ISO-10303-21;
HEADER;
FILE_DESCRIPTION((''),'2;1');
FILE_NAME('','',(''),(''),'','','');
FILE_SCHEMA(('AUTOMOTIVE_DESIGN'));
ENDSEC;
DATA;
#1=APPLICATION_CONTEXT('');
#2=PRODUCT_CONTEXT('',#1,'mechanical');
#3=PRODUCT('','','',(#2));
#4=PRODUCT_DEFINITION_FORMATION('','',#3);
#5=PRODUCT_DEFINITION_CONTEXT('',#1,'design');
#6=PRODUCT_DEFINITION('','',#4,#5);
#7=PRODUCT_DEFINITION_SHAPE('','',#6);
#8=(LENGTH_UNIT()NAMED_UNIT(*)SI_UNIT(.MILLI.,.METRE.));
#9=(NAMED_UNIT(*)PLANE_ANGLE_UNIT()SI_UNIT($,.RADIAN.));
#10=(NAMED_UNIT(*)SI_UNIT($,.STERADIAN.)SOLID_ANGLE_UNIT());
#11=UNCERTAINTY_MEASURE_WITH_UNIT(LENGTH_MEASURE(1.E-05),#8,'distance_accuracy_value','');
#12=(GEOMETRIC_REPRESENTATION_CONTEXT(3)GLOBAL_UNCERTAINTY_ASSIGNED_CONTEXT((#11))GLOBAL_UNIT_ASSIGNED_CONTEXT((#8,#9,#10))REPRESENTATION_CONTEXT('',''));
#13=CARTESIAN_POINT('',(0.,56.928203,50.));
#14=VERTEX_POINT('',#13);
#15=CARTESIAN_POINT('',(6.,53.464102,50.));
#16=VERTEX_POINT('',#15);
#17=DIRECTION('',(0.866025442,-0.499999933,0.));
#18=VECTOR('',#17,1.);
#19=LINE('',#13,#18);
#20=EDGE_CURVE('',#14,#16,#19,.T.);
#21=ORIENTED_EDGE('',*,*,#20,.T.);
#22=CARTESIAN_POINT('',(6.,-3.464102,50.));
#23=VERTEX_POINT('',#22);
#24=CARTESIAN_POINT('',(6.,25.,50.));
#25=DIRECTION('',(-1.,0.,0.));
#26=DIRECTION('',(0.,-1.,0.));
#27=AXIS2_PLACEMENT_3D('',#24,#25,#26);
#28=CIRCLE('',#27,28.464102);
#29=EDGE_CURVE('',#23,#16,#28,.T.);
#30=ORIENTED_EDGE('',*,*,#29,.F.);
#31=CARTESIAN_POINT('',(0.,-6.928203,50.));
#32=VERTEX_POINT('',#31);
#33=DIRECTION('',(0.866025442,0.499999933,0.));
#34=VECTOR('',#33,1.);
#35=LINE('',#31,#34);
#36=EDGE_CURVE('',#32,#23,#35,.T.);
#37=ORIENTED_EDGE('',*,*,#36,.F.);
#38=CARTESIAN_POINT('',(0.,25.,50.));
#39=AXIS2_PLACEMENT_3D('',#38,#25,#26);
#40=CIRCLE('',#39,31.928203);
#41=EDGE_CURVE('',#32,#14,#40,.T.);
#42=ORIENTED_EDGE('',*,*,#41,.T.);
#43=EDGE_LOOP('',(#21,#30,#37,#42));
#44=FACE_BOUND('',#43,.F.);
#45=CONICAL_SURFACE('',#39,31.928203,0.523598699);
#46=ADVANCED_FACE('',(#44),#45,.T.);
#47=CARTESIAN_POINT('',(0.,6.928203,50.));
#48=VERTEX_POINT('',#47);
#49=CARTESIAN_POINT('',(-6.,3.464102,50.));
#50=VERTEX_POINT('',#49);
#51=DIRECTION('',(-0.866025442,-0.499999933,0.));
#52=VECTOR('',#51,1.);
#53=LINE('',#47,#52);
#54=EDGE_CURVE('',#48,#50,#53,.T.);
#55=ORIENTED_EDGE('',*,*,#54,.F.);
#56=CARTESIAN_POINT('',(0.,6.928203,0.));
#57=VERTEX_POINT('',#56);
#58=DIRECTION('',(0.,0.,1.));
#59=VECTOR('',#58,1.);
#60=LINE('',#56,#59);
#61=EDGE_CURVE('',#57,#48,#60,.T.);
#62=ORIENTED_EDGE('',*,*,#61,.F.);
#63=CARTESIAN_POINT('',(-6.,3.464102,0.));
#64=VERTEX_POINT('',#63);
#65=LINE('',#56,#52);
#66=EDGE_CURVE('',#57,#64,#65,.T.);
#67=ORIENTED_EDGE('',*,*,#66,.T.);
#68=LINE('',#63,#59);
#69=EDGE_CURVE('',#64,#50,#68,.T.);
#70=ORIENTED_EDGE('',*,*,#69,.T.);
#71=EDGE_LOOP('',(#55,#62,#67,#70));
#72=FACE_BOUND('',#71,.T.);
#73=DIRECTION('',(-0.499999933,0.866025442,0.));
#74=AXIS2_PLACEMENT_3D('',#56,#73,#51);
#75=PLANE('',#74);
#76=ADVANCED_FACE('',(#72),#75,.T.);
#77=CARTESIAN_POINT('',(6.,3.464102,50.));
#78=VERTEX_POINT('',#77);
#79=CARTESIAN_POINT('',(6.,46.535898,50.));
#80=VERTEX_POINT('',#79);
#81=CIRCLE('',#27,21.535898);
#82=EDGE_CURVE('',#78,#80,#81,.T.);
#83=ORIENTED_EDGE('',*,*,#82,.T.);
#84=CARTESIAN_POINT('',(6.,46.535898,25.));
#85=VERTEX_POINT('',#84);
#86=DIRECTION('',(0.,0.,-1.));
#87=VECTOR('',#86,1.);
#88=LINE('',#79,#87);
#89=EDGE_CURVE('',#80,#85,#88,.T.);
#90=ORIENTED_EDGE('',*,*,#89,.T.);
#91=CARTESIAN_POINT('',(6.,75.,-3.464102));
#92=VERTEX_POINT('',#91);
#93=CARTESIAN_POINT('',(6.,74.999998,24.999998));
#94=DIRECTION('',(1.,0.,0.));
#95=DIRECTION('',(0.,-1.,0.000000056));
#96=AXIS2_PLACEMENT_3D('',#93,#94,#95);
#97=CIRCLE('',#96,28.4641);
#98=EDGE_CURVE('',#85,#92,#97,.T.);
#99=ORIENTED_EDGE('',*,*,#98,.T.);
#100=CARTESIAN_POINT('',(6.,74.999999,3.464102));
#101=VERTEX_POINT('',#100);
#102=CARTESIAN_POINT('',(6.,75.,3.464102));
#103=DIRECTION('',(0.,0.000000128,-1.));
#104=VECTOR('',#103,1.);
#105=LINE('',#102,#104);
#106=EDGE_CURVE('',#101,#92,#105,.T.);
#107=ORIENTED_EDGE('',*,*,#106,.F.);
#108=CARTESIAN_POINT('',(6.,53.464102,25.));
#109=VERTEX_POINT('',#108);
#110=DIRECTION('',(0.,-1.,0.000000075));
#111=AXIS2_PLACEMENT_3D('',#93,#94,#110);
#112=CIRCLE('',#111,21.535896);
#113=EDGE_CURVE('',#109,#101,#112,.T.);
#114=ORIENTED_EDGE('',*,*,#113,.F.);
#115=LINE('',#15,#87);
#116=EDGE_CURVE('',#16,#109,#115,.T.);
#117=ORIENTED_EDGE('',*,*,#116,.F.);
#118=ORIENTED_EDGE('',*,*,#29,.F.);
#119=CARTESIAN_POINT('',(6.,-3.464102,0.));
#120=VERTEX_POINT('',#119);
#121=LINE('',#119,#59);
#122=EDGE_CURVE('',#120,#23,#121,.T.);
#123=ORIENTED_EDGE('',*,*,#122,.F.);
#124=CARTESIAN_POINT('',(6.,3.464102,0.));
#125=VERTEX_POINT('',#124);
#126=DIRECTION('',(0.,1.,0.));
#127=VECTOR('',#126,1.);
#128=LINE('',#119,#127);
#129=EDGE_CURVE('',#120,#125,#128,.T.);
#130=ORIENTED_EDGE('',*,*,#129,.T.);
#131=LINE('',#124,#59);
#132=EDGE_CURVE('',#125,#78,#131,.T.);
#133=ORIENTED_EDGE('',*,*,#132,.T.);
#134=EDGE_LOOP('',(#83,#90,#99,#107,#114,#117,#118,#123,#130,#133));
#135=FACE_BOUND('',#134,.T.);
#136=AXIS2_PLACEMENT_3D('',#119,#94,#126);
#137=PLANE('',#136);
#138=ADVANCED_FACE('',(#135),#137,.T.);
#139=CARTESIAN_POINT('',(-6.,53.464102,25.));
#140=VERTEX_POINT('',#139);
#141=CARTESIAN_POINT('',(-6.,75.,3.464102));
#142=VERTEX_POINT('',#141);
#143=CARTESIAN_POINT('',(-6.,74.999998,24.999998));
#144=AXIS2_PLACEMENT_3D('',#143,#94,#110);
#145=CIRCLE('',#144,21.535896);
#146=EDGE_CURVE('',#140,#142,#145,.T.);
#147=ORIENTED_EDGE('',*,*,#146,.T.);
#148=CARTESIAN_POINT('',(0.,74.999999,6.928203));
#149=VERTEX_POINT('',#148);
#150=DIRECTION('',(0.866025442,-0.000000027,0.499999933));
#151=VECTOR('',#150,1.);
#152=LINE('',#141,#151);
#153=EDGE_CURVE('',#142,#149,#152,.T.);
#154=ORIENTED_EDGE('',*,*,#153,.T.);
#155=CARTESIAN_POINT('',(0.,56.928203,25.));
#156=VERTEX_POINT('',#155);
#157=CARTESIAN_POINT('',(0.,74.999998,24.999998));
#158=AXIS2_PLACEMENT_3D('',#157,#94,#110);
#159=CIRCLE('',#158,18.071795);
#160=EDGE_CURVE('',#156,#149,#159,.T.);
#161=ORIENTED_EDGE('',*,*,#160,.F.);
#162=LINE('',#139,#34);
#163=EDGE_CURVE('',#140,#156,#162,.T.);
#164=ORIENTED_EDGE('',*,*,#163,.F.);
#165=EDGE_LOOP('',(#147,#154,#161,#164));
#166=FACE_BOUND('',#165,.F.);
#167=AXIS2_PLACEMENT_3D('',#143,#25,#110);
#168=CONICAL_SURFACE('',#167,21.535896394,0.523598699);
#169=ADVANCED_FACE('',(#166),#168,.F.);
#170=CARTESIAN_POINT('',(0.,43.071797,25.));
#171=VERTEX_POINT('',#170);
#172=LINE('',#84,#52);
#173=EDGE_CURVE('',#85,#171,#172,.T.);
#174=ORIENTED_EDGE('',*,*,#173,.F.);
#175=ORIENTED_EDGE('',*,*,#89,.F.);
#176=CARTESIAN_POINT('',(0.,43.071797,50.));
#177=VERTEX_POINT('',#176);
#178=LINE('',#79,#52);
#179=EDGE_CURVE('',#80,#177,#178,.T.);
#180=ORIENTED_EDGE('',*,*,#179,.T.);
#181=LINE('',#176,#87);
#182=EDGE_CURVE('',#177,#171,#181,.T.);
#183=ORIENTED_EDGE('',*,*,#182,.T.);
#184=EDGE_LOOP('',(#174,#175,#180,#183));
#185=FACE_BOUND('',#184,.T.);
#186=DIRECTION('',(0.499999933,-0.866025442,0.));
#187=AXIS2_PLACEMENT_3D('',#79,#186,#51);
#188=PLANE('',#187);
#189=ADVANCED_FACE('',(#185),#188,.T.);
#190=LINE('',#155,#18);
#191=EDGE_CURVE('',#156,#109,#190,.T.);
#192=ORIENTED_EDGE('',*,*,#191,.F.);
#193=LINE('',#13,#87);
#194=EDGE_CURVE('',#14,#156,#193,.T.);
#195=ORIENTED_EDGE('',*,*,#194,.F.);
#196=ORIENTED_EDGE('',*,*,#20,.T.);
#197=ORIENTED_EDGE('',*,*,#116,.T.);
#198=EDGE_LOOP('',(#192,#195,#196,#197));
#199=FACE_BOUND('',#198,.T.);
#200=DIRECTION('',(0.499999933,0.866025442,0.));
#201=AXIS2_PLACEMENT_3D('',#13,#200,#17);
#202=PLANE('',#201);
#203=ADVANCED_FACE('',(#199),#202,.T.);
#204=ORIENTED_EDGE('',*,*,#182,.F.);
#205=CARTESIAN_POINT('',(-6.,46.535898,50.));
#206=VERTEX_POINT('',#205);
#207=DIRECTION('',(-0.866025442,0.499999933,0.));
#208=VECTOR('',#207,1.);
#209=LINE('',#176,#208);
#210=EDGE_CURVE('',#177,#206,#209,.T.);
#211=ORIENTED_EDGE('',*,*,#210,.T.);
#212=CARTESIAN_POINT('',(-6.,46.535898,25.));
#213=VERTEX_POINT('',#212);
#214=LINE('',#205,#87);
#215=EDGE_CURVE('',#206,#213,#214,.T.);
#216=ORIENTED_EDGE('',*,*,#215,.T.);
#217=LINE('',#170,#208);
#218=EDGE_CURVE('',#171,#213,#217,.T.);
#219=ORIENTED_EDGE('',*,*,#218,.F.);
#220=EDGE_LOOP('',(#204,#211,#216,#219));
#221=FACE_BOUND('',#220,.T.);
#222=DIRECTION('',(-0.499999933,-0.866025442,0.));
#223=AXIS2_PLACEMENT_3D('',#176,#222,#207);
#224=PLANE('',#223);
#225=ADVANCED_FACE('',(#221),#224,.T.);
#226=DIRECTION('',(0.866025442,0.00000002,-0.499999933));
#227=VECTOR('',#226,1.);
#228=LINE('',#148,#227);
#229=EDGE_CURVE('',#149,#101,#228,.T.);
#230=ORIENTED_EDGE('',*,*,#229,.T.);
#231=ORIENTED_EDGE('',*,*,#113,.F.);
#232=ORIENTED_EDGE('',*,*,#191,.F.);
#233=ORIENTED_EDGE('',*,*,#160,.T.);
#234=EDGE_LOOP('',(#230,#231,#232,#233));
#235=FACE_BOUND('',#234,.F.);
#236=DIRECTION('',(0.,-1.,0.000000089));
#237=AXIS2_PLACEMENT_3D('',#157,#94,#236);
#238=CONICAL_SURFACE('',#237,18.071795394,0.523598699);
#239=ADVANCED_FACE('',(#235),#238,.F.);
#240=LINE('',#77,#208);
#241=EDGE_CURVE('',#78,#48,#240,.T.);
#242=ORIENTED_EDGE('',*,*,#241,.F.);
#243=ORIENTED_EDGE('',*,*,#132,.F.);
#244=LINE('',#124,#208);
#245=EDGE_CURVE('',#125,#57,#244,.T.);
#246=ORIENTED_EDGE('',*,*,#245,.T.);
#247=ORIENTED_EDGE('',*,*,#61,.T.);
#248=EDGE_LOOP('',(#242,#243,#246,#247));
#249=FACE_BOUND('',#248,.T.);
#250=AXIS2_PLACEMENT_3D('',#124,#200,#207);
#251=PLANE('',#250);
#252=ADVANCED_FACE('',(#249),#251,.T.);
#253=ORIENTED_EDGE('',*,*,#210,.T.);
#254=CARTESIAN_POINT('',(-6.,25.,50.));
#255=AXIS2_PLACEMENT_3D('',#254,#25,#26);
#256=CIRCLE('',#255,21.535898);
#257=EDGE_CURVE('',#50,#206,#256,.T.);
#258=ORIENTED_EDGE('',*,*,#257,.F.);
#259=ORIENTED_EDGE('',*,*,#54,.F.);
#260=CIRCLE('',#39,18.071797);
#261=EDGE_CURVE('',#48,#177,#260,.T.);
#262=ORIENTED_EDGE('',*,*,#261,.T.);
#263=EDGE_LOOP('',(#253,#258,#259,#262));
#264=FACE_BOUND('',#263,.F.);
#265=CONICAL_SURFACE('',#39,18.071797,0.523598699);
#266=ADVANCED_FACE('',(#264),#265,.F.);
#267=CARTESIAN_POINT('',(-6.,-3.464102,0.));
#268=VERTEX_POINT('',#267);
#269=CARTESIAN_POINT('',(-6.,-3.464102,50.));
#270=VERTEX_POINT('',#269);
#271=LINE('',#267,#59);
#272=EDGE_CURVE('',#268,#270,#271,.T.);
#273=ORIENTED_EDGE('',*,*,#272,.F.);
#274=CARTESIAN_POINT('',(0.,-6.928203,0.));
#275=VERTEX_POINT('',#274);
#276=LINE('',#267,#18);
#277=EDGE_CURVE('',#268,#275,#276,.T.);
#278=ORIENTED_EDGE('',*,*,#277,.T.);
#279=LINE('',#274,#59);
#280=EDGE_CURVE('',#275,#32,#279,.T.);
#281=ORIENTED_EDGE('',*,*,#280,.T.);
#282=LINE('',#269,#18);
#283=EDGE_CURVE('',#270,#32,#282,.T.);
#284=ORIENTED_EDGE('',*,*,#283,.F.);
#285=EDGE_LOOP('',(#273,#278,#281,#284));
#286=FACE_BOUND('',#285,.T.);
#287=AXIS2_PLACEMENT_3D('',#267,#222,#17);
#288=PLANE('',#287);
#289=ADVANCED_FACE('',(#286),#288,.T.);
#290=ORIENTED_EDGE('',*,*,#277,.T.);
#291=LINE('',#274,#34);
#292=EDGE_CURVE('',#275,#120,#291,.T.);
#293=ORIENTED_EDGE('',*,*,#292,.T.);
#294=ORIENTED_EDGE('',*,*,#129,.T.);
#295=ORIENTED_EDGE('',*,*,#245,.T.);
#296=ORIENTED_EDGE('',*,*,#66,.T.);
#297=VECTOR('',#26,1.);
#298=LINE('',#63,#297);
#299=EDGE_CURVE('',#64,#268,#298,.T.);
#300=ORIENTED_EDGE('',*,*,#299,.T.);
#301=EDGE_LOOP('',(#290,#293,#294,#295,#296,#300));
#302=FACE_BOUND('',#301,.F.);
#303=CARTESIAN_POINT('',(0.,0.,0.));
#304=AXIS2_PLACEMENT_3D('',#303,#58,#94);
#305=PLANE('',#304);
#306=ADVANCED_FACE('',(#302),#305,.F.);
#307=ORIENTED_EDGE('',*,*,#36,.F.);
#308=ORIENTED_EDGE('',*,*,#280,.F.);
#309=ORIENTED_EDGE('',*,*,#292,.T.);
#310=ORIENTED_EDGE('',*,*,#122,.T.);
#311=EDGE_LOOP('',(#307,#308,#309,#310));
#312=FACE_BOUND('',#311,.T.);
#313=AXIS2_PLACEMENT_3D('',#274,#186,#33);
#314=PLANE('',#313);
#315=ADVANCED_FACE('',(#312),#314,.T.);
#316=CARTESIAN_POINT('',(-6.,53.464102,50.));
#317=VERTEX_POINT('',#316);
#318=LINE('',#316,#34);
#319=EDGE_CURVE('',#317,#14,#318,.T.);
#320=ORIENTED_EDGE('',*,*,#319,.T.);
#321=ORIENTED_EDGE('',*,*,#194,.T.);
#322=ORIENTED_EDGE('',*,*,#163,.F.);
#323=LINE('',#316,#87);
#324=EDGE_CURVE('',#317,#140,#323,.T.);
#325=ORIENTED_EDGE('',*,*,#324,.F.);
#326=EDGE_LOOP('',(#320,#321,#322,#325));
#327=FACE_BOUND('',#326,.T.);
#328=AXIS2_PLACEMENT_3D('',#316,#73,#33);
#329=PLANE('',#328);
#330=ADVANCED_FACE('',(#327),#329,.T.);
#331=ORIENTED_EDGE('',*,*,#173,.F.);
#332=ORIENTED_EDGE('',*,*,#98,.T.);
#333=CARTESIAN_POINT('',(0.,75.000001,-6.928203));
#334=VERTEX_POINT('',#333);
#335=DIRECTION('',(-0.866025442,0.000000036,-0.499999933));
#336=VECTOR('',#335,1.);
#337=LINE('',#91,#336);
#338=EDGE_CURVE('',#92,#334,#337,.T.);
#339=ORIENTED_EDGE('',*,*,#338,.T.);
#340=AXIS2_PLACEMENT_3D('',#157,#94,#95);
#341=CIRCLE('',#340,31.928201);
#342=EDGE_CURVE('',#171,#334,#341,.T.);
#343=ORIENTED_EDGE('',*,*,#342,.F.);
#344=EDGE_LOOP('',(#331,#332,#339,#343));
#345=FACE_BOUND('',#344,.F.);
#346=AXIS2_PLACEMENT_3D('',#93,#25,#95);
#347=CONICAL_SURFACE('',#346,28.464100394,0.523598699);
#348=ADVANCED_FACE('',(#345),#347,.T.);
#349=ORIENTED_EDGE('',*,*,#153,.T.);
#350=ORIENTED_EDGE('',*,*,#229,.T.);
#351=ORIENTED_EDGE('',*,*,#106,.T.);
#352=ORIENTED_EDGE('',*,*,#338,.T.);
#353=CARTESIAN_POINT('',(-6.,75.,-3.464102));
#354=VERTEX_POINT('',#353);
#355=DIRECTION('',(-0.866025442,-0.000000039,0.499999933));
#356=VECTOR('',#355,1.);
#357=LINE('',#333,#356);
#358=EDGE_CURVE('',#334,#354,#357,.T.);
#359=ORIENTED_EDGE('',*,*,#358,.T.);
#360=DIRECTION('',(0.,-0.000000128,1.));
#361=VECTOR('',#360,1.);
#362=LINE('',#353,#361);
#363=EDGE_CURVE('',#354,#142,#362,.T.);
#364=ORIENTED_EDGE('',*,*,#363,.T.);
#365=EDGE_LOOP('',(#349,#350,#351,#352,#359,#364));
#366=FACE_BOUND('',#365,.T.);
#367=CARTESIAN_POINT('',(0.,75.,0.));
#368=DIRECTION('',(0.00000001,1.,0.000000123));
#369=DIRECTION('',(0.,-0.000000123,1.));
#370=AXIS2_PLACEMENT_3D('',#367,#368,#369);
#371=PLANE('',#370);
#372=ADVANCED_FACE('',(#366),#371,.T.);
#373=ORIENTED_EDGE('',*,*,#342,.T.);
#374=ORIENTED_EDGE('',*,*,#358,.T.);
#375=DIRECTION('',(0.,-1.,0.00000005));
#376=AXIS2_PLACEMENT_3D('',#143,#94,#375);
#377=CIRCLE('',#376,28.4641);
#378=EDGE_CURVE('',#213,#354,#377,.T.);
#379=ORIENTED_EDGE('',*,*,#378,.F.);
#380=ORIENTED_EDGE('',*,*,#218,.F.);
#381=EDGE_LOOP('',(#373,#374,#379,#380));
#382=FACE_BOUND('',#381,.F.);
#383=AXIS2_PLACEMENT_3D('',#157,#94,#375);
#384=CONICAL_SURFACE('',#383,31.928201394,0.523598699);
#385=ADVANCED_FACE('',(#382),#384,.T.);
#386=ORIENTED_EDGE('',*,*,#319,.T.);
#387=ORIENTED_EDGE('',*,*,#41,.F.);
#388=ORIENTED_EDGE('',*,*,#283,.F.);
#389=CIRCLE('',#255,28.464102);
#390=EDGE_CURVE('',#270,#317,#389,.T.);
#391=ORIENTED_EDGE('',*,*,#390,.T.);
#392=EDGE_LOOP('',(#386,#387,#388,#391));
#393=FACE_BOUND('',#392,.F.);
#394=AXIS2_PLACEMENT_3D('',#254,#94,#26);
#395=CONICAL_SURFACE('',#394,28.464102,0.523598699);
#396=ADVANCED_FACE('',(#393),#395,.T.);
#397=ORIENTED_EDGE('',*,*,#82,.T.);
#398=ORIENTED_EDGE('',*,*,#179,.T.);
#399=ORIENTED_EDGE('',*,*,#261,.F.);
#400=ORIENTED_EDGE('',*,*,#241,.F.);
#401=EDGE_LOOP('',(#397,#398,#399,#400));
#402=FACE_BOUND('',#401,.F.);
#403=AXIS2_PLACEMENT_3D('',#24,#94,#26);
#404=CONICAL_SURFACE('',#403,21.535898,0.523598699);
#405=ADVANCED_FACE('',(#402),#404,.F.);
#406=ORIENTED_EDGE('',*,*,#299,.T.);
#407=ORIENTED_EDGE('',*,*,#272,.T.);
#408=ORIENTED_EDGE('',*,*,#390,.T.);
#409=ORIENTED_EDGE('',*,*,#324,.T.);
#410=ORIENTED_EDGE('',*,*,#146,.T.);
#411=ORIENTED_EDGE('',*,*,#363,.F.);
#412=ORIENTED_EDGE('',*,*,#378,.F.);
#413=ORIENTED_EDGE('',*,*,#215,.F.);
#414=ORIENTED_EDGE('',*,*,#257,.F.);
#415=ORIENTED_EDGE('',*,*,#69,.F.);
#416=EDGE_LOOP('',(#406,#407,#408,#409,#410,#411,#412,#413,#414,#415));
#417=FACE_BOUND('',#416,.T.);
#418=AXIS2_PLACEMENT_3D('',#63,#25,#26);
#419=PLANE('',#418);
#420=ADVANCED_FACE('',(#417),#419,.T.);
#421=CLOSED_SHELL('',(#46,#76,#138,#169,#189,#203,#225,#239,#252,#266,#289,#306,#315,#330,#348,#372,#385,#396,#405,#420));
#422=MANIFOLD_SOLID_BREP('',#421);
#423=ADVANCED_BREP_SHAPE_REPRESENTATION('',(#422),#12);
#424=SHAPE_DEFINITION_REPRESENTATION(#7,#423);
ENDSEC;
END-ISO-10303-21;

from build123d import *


with BuildPart() as f2:
    # F2: sweep along a path in F0
    with BuildLine(Plane.YZ) as f2_path:
        Line((0, 0), (0, 50))
        ThreePointArc((0, 50), (25, 75), (50, 50))
        Line((50, 50), (50, 25))
        ThreePointArc((50, 25), (57.32233, 7.32233), (75, 0))
    # F1 (on Top) → F2 (sweep)
    with BuildSketch(Plane.XY):
        Polygon((6, -3.464102), (6, 3.464102), (0, 6.928203), (-6, 3.464102), (-6, -3.464102), (0, -6.928203), align=None)
    sweep(path=f2_path.line)


solid = f2.part
